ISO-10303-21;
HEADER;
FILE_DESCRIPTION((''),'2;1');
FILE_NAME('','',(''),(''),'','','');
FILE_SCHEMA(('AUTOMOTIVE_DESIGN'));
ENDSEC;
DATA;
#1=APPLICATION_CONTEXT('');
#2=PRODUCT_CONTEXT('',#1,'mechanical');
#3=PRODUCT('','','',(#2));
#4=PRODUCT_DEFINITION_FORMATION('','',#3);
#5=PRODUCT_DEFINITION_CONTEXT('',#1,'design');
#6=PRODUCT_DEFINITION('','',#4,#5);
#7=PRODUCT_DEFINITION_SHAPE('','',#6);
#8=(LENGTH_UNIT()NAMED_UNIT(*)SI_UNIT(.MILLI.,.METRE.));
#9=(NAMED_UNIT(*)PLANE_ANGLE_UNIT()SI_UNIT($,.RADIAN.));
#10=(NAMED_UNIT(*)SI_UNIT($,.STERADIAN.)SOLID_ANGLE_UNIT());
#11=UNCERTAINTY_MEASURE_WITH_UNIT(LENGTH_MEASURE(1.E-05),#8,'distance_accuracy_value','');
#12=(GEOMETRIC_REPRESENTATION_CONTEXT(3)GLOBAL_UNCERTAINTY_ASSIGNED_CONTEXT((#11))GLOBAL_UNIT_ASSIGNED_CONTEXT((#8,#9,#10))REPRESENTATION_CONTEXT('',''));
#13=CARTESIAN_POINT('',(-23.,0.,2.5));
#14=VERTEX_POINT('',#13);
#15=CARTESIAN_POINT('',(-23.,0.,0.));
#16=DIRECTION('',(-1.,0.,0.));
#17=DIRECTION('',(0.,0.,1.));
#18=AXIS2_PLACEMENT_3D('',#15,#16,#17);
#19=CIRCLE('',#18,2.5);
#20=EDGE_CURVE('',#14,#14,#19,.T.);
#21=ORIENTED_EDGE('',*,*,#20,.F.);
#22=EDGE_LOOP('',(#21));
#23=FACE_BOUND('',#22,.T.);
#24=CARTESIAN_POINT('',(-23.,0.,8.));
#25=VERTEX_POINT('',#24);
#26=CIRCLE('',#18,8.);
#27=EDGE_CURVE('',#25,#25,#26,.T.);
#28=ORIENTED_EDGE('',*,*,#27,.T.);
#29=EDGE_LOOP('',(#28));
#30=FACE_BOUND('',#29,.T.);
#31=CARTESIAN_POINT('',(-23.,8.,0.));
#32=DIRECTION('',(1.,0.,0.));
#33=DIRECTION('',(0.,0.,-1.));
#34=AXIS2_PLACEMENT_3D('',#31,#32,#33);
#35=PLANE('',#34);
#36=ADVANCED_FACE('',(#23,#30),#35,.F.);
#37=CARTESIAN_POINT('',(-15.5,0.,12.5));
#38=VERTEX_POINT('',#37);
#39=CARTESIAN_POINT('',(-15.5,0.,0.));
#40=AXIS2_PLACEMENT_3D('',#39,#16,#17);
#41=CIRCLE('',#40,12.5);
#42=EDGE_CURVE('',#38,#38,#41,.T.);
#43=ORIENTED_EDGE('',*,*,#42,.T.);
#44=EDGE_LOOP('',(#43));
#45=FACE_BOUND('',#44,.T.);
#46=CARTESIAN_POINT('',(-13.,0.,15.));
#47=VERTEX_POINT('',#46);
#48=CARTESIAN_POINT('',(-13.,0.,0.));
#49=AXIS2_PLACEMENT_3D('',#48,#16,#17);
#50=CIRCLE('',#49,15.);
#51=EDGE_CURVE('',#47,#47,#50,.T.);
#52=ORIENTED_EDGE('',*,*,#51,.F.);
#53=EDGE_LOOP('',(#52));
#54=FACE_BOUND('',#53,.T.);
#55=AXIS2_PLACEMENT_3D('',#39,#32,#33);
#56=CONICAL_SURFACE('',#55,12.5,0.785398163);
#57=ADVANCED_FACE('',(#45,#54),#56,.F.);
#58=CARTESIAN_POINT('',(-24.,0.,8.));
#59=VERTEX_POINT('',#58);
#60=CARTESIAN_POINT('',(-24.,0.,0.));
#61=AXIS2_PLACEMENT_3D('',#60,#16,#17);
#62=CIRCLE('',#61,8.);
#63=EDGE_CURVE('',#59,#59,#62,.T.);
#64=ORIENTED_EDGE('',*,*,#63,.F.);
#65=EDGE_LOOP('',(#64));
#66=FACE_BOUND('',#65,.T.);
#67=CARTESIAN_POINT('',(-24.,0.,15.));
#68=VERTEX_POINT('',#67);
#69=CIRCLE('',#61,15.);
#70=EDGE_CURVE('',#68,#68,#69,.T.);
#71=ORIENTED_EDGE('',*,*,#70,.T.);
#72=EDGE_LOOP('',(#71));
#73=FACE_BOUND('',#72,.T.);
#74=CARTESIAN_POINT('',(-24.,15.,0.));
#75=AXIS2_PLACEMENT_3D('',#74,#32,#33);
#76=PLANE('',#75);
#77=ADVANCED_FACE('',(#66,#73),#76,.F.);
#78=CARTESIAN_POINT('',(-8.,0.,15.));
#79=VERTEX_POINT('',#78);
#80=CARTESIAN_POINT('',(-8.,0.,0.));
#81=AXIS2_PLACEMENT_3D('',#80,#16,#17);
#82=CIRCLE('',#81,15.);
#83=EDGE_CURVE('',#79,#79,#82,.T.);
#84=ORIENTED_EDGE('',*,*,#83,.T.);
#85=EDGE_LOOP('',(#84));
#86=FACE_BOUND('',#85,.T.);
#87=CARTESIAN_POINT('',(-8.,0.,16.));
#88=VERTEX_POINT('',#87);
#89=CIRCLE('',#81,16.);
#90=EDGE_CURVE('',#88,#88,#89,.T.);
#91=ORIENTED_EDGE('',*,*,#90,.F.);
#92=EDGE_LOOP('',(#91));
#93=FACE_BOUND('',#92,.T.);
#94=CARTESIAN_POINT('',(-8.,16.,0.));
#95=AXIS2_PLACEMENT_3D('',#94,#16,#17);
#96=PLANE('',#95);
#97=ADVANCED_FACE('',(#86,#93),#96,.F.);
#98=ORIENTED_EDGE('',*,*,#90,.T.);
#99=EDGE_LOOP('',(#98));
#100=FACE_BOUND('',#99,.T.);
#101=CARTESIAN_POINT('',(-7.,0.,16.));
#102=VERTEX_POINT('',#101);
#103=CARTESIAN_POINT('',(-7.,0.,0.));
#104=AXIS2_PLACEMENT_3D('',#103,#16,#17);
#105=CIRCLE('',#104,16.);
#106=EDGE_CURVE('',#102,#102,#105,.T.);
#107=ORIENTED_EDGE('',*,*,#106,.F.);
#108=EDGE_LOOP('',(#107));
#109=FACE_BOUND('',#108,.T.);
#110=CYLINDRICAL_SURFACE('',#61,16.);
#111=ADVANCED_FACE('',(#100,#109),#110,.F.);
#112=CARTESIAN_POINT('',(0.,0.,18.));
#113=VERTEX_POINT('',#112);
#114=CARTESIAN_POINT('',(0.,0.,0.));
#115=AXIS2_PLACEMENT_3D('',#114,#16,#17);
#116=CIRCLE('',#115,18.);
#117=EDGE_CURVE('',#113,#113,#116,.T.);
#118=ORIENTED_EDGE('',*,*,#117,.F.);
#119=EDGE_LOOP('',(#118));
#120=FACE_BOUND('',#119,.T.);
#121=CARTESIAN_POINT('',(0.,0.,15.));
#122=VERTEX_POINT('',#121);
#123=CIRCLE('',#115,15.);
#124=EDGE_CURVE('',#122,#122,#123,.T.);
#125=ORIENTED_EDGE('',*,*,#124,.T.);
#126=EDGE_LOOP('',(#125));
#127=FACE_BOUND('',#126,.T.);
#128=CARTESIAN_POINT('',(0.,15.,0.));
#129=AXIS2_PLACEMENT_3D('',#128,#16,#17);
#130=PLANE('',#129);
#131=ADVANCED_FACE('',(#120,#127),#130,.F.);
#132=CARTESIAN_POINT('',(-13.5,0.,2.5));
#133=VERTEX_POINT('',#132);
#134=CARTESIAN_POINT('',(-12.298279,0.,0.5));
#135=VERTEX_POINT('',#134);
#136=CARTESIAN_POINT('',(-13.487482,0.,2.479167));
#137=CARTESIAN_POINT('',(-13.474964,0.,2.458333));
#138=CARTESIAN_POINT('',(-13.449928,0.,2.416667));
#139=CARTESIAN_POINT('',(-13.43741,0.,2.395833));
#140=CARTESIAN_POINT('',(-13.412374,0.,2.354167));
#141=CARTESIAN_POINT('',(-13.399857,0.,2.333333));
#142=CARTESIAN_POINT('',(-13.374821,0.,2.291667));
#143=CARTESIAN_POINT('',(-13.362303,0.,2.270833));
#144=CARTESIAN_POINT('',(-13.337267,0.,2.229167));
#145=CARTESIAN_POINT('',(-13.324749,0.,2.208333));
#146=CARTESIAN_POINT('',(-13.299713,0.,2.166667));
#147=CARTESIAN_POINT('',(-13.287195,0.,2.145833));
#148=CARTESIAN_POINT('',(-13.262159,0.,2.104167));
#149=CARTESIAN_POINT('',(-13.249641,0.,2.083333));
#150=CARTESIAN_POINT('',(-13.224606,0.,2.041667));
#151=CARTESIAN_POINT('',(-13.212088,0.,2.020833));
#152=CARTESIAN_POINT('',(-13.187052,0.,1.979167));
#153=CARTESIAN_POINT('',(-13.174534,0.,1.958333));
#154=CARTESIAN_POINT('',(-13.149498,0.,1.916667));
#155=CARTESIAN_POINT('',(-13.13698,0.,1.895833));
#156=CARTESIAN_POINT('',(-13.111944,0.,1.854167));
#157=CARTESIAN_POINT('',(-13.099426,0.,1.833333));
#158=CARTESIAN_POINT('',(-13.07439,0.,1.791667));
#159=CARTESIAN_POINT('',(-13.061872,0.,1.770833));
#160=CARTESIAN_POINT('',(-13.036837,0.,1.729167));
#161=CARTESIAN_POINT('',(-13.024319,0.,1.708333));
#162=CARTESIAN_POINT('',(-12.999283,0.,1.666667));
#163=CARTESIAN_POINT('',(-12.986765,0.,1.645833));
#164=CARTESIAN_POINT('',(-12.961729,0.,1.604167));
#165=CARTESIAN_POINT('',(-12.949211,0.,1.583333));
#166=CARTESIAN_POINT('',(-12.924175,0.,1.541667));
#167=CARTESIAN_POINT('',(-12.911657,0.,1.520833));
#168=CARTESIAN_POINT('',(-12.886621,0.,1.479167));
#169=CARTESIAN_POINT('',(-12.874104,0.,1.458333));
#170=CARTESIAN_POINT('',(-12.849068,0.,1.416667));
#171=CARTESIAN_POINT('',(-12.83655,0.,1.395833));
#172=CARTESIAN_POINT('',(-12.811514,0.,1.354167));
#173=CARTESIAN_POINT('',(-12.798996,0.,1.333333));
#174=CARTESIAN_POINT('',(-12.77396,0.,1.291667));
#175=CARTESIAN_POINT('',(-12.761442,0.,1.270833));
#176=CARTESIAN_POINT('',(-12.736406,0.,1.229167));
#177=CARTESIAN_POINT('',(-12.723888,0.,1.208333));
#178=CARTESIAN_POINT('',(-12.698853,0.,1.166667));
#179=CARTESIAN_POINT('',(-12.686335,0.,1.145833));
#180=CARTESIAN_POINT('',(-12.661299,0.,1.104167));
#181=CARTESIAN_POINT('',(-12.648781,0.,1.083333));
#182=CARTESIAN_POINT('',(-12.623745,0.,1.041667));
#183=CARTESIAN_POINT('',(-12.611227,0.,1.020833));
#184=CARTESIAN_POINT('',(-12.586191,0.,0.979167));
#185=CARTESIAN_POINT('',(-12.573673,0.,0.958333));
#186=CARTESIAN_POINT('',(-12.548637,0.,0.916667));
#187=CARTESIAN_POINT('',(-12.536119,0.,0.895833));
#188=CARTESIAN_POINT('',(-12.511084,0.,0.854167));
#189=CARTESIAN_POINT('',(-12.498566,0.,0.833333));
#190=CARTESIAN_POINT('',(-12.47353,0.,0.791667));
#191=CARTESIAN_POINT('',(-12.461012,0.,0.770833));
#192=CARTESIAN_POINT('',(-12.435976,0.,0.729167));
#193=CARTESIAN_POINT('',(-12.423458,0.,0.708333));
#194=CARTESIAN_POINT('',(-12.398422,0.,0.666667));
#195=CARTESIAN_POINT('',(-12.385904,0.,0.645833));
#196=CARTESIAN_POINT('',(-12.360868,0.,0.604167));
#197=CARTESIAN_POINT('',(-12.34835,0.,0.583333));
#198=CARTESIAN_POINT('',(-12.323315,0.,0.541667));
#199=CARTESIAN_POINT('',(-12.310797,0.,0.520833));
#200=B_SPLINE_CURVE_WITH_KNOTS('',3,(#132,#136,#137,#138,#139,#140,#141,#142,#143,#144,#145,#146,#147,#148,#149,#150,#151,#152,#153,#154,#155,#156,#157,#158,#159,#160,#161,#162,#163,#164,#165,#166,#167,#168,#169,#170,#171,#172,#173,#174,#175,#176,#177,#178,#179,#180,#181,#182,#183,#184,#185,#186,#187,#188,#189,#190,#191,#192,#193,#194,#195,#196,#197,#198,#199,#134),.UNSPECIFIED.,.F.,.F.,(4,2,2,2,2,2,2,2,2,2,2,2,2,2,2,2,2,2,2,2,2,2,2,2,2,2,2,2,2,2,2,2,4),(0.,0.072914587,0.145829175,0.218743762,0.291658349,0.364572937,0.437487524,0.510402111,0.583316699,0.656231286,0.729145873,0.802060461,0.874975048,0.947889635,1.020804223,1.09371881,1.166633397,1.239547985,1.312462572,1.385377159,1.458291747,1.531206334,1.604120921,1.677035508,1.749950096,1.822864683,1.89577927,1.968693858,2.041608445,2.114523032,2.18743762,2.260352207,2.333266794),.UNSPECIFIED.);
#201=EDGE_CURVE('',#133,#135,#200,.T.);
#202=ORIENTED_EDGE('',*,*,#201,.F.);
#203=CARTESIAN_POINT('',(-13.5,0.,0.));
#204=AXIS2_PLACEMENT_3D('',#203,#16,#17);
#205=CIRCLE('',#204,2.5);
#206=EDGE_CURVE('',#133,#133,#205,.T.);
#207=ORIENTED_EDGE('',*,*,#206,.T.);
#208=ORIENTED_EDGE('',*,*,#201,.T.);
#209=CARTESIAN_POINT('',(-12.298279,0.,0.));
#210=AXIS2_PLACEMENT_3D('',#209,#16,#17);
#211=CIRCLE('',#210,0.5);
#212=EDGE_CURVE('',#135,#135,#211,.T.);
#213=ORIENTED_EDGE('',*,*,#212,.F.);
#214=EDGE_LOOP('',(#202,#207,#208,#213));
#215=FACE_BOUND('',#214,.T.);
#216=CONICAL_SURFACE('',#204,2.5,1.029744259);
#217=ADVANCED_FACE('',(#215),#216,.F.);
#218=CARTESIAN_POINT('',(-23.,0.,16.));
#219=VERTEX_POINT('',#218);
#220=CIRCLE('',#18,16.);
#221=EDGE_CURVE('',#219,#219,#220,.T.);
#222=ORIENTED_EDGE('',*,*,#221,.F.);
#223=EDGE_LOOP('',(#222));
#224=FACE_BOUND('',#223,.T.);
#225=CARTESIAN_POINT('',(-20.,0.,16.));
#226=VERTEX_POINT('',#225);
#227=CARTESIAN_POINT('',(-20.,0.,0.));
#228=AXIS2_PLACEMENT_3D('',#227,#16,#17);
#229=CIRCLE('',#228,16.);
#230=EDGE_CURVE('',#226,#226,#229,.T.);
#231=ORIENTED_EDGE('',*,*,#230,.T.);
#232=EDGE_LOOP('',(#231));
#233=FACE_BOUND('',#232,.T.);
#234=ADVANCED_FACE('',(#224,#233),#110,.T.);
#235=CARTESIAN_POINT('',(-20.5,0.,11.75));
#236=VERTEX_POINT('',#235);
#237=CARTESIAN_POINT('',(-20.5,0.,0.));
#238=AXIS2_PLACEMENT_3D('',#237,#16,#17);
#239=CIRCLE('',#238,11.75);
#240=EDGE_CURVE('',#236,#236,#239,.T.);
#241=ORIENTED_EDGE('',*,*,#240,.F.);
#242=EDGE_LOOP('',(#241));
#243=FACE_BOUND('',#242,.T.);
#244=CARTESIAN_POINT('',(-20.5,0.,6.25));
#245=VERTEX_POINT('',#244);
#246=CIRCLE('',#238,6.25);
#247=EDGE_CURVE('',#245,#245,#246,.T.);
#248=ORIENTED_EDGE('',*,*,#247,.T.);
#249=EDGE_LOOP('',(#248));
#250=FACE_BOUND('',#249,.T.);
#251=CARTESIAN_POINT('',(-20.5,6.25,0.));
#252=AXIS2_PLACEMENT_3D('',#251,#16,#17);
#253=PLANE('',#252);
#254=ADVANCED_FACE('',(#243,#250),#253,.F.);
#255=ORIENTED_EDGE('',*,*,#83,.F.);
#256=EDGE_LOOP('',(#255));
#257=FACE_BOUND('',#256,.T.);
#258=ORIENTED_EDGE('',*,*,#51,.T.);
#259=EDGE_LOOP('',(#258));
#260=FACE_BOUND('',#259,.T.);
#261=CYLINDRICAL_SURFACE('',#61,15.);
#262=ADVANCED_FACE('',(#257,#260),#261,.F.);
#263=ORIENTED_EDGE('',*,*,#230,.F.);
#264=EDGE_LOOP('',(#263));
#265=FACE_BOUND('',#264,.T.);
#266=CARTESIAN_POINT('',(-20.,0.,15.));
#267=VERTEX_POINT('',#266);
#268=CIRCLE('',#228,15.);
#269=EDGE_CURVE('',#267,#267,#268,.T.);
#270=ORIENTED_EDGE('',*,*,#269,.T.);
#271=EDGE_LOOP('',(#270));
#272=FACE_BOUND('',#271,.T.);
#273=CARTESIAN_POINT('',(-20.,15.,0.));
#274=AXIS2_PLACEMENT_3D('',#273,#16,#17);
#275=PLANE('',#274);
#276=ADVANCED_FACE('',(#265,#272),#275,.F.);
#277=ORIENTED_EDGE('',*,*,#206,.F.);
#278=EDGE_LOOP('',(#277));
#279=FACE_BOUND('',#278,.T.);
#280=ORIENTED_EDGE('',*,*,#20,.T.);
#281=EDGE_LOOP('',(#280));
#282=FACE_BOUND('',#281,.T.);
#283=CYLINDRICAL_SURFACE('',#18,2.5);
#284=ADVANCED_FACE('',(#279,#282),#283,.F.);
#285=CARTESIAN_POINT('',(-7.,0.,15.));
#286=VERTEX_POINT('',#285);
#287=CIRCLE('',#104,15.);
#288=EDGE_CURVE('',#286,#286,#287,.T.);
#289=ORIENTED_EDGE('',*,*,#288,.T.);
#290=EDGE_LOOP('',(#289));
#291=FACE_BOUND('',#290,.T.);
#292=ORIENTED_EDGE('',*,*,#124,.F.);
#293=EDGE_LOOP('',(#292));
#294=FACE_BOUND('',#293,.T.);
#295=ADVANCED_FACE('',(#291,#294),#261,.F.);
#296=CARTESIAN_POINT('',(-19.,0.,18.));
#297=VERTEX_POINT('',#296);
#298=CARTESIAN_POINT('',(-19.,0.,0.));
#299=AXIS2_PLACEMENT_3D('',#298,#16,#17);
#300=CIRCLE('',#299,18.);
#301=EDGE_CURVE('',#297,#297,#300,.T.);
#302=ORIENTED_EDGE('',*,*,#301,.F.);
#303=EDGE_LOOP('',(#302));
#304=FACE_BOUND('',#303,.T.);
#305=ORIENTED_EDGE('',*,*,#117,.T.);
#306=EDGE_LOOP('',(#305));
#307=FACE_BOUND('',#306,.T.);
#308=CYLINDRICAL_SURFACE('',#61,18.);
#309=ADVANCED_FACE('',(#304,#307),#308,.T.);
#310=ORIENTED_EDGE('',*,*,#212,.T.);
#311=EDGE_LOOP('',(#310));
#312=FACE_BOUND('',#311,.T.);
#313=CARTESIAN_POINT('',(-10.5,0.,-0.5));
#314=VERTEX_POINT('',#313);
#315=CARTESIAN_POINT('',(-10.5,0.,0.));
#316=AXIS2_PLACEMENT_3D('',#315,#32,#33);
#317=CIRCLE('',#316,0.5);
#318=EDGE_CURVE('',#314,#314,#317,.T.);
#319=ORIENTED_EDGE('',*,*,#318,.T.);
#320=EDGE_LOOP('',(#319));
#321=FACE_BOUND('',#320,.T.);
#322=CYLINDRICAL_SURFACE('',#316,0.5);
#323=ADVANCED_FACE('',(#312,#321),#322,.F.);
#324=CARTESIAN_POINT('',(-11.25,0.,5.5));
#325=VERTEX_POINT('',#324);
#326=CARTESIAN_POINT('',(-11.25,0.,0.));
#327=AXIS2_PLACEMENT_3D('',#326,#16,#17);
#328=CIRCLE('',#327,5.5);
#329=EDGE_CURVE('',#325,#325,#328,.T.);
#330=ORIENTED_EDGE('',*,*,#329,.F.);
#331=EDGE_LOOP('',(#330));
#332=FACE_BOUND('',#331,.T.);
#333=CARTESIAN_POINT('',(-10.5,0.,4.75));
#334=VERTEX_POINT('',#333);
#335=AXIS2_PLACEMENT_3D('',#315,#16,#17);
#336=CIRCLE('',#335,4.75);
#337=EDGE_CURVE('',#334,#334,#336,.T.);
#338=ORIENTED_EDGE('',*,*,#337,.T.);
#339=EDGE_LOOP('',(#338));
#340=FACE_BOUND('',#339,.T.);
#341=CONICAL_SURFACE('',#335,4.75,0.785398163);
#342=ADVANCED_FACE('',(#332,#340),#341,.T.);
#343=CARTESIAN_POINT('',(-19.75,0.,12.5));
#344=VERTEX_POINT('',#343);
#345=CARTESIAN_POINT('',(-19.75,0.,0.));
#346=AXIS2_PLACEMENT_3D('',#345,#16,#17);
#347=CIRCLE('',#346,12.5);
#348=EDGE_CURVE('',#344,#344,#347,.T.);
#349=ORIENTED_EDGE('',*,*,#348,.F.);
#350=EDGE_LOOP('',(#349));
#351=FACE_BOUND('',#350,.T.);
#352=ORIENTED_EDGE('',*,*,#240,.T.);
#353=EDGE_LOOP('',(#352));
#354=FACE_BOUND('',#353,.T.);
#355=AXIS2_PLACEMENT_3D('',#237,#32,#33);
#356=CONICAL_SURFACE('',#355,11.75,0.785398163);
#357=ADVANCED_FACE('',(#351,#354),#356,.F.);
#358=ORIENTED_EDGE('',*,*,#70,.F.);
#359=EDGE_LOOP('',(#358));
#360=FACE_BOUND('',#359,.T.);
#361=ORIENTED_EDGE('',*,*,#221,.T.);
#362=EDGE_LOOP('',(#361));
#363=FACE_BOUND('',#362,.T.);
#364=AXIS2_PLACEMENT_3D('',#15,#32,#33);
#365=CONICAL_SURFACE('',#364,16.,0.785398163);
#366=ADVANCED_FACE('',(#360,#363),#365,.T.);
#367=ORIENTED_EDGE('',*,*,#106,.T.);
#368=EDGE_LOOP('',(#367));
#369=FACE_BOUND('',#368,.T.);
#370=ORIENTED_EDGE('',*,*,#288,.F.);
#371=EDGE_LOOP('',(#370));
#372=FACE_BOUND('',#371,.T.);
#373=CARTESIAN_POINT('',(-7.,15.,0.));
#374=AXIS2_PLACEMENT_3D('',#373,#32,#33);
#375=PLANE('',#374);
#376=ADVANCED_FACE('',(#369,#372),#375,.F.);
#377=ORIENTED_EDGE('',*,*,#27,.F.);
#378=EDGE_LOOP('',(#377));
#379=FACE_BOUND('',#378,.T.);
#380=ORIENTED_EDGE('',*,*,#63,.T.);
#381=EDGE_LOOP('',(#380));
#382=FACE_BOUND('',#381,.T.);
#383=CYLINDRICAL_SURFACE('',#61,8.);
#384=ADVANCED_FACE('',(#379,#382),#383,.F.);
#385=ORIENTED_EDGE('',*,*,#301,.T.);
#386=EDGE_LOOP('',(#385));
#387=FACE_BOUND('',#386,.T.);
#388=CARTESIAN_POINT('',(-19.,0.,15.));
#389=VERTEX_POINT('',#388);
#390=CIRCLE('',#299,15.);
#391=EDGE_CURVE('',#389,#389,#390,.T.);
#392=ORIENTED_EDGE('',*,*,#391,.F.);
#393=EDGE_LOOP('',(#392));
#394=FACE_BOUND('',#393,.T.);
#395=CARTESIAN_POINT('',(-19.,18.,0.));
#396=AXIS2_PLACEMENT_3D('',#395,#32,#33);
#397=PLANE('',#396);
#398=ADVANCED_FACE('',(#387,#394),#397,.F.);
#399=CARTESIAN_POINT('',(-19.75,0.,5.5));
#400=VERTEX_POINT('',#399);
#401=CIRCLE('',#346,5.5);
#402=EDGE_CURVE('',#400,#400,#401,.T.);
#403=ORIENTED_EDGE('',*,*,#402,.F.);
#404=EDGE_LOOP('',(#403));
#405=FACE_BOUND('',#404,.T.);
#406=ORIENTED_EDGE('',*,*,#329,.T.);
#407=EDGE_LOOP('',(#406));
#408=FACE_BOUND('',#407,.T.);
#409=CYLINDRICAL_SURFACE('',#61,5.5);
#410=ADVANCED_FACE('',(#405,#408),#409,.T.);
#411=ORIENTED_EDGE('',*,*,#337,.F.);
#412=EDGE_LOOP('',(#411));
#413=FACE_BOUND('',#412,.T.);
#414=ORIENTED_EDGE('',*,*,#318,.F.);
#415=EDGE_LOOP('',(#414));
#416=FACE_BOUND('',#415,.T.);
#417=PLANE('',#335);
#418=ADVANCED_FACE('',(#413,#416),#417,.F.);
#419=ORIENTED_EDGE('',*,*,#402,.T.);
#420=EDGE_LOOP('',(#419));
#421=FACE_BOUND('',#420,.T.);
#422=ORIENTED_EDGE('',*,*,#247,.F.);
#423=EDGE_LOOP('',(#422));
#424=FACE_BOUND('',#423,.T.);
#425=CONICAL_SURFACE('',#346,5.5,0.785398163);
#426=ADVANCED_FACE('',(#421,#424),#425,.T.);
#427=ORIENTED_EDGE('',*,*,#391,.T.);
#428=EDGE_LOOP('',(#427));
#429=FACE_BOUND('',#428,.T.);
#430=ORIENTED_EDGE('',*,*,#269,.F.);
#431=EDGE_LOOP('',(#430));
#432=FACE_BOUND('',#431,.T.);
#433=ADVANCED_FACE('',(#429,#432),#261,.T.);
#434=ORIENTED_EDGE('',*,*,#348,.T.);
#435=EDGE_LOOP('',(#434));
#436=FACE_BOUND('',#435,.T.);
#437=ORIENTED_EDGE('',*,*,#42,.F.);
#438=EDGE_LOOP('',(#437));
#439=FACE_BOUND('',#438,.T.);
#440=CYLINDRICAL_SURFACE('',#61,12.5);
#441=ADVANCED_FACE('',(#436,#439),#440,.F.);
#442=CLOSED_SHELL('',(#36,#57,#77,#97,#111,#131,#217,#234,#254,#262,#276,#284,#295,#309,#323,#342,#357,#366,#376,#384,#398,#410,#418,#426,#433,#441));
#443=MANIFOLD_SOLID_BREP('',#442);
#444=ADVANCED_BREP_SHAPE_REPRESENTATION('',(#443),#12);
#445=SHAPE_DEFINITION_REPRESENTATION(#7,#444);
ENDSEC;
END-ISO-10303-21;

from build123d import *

# Parameters (mm, degrees)
DIAM_TRE_DU_PER_AGE_1_0_1_1_D     = 1
DIAM_TRE_DU_PER_AGE_1_0_1_1_DEPTH = 2
DIAM_TRE_DU_PER_AGE_1_0_1_1_TIP   = 0.30043031
DIAM_TRE_DU_PER_AGE_5_0_5_1_D     = 5
DIAM_TRE_DU_PER_AGE_5_0_5_1_DEPTH = 9.5
DIAM_TRE_DU_PER_AGE_5_0_5_1_TIP   = 1.502151548


with BuildPart() as part:
    # Esquisse7 → Révolution2 (revolve)
    with BuildSketch(Plane.XY, mode=Mode.PRIVATE) as r_volution2_sk:
        Polygon((0, 15), (0, 18), (-19, 18), (-19, 15), (-20, 15), (-20, 16), (-23, 16), (-24, 15), (-24, 8), (-23, 8), (-23, 0), (-10.5, 0), (-10.5, 4.75), (-11.25, 5.5), (-19.75, 5.5), (-20.5, 6.25), (-20.5, 11.75), (-19.75, 12.5), (-15.5, 12.5), (-13, 15), (-8, 15), (-8, 16), (-7, 16), (-7, 15), align=None)
    revolve(r_volution2_sk.sketch.rotate(Axis((-24, 0, 0), (1, 0, 0)), 90), axis=Axis((-24, 0, 0), (1, 0, 0)))

    # Diamètre du perçage Ø1.0 (1)1
    with Locations(Plane(origin=(-10.5, 0, 0), x_dir=(0, 0, -1), z_dir=(1, 0, 0))):
        with Locations((0, 0)):
            Hole(DIAM_TRE_DU_PER_AGE_1_0_1_1_D / 2, depth=DIAM_TRE_DU_PER_AGE_1_0_1_1_DEPTH)
            with Locations((0, 0, -(DIAM_TRE_DU_PER_AGE_1_0_1_1_DEPTH + DIAM_TRE_DU_PER_AGE_1_0_1_1_TIP / 2))):  # 118° drill point
                Cone(0, DIAM_TRE_DU_PER_AGE_1_0_1_1_D / 2, DIAM_TRE_DU_PER_AGE_1_0_1_1_TIP, mode=Mode.SUBTRACT)

    # Diamètre du perçage Ø5.0 (5)1
    with Locations(Plane.ZY.offset(23)):
        with Locations((0, 0)):
            Hole(DIAM_TRE_DU_PER_AGE_5_0_5_1_D / 2, depth=DIAM_TRE_DU_PER_AGE_5_0_5_1_DEPTH)
            with Locations((0, 0, -(DIAM_TRE_DU_PER_AGE_5_0_5_1_DEPTH + DIAM_TRE_DU_PER_AGE_5_0_5_1_TIP / 2))):  # 118° drill point
                Cone(0, DIAM_TRE_DU_PER_AGE_5_0_5_1_D / 2, DIAM_TRE_DU_PER_AGE_5_0_5_1_TIP, mode=Mode.SUBTRACT)


solid = part.part
